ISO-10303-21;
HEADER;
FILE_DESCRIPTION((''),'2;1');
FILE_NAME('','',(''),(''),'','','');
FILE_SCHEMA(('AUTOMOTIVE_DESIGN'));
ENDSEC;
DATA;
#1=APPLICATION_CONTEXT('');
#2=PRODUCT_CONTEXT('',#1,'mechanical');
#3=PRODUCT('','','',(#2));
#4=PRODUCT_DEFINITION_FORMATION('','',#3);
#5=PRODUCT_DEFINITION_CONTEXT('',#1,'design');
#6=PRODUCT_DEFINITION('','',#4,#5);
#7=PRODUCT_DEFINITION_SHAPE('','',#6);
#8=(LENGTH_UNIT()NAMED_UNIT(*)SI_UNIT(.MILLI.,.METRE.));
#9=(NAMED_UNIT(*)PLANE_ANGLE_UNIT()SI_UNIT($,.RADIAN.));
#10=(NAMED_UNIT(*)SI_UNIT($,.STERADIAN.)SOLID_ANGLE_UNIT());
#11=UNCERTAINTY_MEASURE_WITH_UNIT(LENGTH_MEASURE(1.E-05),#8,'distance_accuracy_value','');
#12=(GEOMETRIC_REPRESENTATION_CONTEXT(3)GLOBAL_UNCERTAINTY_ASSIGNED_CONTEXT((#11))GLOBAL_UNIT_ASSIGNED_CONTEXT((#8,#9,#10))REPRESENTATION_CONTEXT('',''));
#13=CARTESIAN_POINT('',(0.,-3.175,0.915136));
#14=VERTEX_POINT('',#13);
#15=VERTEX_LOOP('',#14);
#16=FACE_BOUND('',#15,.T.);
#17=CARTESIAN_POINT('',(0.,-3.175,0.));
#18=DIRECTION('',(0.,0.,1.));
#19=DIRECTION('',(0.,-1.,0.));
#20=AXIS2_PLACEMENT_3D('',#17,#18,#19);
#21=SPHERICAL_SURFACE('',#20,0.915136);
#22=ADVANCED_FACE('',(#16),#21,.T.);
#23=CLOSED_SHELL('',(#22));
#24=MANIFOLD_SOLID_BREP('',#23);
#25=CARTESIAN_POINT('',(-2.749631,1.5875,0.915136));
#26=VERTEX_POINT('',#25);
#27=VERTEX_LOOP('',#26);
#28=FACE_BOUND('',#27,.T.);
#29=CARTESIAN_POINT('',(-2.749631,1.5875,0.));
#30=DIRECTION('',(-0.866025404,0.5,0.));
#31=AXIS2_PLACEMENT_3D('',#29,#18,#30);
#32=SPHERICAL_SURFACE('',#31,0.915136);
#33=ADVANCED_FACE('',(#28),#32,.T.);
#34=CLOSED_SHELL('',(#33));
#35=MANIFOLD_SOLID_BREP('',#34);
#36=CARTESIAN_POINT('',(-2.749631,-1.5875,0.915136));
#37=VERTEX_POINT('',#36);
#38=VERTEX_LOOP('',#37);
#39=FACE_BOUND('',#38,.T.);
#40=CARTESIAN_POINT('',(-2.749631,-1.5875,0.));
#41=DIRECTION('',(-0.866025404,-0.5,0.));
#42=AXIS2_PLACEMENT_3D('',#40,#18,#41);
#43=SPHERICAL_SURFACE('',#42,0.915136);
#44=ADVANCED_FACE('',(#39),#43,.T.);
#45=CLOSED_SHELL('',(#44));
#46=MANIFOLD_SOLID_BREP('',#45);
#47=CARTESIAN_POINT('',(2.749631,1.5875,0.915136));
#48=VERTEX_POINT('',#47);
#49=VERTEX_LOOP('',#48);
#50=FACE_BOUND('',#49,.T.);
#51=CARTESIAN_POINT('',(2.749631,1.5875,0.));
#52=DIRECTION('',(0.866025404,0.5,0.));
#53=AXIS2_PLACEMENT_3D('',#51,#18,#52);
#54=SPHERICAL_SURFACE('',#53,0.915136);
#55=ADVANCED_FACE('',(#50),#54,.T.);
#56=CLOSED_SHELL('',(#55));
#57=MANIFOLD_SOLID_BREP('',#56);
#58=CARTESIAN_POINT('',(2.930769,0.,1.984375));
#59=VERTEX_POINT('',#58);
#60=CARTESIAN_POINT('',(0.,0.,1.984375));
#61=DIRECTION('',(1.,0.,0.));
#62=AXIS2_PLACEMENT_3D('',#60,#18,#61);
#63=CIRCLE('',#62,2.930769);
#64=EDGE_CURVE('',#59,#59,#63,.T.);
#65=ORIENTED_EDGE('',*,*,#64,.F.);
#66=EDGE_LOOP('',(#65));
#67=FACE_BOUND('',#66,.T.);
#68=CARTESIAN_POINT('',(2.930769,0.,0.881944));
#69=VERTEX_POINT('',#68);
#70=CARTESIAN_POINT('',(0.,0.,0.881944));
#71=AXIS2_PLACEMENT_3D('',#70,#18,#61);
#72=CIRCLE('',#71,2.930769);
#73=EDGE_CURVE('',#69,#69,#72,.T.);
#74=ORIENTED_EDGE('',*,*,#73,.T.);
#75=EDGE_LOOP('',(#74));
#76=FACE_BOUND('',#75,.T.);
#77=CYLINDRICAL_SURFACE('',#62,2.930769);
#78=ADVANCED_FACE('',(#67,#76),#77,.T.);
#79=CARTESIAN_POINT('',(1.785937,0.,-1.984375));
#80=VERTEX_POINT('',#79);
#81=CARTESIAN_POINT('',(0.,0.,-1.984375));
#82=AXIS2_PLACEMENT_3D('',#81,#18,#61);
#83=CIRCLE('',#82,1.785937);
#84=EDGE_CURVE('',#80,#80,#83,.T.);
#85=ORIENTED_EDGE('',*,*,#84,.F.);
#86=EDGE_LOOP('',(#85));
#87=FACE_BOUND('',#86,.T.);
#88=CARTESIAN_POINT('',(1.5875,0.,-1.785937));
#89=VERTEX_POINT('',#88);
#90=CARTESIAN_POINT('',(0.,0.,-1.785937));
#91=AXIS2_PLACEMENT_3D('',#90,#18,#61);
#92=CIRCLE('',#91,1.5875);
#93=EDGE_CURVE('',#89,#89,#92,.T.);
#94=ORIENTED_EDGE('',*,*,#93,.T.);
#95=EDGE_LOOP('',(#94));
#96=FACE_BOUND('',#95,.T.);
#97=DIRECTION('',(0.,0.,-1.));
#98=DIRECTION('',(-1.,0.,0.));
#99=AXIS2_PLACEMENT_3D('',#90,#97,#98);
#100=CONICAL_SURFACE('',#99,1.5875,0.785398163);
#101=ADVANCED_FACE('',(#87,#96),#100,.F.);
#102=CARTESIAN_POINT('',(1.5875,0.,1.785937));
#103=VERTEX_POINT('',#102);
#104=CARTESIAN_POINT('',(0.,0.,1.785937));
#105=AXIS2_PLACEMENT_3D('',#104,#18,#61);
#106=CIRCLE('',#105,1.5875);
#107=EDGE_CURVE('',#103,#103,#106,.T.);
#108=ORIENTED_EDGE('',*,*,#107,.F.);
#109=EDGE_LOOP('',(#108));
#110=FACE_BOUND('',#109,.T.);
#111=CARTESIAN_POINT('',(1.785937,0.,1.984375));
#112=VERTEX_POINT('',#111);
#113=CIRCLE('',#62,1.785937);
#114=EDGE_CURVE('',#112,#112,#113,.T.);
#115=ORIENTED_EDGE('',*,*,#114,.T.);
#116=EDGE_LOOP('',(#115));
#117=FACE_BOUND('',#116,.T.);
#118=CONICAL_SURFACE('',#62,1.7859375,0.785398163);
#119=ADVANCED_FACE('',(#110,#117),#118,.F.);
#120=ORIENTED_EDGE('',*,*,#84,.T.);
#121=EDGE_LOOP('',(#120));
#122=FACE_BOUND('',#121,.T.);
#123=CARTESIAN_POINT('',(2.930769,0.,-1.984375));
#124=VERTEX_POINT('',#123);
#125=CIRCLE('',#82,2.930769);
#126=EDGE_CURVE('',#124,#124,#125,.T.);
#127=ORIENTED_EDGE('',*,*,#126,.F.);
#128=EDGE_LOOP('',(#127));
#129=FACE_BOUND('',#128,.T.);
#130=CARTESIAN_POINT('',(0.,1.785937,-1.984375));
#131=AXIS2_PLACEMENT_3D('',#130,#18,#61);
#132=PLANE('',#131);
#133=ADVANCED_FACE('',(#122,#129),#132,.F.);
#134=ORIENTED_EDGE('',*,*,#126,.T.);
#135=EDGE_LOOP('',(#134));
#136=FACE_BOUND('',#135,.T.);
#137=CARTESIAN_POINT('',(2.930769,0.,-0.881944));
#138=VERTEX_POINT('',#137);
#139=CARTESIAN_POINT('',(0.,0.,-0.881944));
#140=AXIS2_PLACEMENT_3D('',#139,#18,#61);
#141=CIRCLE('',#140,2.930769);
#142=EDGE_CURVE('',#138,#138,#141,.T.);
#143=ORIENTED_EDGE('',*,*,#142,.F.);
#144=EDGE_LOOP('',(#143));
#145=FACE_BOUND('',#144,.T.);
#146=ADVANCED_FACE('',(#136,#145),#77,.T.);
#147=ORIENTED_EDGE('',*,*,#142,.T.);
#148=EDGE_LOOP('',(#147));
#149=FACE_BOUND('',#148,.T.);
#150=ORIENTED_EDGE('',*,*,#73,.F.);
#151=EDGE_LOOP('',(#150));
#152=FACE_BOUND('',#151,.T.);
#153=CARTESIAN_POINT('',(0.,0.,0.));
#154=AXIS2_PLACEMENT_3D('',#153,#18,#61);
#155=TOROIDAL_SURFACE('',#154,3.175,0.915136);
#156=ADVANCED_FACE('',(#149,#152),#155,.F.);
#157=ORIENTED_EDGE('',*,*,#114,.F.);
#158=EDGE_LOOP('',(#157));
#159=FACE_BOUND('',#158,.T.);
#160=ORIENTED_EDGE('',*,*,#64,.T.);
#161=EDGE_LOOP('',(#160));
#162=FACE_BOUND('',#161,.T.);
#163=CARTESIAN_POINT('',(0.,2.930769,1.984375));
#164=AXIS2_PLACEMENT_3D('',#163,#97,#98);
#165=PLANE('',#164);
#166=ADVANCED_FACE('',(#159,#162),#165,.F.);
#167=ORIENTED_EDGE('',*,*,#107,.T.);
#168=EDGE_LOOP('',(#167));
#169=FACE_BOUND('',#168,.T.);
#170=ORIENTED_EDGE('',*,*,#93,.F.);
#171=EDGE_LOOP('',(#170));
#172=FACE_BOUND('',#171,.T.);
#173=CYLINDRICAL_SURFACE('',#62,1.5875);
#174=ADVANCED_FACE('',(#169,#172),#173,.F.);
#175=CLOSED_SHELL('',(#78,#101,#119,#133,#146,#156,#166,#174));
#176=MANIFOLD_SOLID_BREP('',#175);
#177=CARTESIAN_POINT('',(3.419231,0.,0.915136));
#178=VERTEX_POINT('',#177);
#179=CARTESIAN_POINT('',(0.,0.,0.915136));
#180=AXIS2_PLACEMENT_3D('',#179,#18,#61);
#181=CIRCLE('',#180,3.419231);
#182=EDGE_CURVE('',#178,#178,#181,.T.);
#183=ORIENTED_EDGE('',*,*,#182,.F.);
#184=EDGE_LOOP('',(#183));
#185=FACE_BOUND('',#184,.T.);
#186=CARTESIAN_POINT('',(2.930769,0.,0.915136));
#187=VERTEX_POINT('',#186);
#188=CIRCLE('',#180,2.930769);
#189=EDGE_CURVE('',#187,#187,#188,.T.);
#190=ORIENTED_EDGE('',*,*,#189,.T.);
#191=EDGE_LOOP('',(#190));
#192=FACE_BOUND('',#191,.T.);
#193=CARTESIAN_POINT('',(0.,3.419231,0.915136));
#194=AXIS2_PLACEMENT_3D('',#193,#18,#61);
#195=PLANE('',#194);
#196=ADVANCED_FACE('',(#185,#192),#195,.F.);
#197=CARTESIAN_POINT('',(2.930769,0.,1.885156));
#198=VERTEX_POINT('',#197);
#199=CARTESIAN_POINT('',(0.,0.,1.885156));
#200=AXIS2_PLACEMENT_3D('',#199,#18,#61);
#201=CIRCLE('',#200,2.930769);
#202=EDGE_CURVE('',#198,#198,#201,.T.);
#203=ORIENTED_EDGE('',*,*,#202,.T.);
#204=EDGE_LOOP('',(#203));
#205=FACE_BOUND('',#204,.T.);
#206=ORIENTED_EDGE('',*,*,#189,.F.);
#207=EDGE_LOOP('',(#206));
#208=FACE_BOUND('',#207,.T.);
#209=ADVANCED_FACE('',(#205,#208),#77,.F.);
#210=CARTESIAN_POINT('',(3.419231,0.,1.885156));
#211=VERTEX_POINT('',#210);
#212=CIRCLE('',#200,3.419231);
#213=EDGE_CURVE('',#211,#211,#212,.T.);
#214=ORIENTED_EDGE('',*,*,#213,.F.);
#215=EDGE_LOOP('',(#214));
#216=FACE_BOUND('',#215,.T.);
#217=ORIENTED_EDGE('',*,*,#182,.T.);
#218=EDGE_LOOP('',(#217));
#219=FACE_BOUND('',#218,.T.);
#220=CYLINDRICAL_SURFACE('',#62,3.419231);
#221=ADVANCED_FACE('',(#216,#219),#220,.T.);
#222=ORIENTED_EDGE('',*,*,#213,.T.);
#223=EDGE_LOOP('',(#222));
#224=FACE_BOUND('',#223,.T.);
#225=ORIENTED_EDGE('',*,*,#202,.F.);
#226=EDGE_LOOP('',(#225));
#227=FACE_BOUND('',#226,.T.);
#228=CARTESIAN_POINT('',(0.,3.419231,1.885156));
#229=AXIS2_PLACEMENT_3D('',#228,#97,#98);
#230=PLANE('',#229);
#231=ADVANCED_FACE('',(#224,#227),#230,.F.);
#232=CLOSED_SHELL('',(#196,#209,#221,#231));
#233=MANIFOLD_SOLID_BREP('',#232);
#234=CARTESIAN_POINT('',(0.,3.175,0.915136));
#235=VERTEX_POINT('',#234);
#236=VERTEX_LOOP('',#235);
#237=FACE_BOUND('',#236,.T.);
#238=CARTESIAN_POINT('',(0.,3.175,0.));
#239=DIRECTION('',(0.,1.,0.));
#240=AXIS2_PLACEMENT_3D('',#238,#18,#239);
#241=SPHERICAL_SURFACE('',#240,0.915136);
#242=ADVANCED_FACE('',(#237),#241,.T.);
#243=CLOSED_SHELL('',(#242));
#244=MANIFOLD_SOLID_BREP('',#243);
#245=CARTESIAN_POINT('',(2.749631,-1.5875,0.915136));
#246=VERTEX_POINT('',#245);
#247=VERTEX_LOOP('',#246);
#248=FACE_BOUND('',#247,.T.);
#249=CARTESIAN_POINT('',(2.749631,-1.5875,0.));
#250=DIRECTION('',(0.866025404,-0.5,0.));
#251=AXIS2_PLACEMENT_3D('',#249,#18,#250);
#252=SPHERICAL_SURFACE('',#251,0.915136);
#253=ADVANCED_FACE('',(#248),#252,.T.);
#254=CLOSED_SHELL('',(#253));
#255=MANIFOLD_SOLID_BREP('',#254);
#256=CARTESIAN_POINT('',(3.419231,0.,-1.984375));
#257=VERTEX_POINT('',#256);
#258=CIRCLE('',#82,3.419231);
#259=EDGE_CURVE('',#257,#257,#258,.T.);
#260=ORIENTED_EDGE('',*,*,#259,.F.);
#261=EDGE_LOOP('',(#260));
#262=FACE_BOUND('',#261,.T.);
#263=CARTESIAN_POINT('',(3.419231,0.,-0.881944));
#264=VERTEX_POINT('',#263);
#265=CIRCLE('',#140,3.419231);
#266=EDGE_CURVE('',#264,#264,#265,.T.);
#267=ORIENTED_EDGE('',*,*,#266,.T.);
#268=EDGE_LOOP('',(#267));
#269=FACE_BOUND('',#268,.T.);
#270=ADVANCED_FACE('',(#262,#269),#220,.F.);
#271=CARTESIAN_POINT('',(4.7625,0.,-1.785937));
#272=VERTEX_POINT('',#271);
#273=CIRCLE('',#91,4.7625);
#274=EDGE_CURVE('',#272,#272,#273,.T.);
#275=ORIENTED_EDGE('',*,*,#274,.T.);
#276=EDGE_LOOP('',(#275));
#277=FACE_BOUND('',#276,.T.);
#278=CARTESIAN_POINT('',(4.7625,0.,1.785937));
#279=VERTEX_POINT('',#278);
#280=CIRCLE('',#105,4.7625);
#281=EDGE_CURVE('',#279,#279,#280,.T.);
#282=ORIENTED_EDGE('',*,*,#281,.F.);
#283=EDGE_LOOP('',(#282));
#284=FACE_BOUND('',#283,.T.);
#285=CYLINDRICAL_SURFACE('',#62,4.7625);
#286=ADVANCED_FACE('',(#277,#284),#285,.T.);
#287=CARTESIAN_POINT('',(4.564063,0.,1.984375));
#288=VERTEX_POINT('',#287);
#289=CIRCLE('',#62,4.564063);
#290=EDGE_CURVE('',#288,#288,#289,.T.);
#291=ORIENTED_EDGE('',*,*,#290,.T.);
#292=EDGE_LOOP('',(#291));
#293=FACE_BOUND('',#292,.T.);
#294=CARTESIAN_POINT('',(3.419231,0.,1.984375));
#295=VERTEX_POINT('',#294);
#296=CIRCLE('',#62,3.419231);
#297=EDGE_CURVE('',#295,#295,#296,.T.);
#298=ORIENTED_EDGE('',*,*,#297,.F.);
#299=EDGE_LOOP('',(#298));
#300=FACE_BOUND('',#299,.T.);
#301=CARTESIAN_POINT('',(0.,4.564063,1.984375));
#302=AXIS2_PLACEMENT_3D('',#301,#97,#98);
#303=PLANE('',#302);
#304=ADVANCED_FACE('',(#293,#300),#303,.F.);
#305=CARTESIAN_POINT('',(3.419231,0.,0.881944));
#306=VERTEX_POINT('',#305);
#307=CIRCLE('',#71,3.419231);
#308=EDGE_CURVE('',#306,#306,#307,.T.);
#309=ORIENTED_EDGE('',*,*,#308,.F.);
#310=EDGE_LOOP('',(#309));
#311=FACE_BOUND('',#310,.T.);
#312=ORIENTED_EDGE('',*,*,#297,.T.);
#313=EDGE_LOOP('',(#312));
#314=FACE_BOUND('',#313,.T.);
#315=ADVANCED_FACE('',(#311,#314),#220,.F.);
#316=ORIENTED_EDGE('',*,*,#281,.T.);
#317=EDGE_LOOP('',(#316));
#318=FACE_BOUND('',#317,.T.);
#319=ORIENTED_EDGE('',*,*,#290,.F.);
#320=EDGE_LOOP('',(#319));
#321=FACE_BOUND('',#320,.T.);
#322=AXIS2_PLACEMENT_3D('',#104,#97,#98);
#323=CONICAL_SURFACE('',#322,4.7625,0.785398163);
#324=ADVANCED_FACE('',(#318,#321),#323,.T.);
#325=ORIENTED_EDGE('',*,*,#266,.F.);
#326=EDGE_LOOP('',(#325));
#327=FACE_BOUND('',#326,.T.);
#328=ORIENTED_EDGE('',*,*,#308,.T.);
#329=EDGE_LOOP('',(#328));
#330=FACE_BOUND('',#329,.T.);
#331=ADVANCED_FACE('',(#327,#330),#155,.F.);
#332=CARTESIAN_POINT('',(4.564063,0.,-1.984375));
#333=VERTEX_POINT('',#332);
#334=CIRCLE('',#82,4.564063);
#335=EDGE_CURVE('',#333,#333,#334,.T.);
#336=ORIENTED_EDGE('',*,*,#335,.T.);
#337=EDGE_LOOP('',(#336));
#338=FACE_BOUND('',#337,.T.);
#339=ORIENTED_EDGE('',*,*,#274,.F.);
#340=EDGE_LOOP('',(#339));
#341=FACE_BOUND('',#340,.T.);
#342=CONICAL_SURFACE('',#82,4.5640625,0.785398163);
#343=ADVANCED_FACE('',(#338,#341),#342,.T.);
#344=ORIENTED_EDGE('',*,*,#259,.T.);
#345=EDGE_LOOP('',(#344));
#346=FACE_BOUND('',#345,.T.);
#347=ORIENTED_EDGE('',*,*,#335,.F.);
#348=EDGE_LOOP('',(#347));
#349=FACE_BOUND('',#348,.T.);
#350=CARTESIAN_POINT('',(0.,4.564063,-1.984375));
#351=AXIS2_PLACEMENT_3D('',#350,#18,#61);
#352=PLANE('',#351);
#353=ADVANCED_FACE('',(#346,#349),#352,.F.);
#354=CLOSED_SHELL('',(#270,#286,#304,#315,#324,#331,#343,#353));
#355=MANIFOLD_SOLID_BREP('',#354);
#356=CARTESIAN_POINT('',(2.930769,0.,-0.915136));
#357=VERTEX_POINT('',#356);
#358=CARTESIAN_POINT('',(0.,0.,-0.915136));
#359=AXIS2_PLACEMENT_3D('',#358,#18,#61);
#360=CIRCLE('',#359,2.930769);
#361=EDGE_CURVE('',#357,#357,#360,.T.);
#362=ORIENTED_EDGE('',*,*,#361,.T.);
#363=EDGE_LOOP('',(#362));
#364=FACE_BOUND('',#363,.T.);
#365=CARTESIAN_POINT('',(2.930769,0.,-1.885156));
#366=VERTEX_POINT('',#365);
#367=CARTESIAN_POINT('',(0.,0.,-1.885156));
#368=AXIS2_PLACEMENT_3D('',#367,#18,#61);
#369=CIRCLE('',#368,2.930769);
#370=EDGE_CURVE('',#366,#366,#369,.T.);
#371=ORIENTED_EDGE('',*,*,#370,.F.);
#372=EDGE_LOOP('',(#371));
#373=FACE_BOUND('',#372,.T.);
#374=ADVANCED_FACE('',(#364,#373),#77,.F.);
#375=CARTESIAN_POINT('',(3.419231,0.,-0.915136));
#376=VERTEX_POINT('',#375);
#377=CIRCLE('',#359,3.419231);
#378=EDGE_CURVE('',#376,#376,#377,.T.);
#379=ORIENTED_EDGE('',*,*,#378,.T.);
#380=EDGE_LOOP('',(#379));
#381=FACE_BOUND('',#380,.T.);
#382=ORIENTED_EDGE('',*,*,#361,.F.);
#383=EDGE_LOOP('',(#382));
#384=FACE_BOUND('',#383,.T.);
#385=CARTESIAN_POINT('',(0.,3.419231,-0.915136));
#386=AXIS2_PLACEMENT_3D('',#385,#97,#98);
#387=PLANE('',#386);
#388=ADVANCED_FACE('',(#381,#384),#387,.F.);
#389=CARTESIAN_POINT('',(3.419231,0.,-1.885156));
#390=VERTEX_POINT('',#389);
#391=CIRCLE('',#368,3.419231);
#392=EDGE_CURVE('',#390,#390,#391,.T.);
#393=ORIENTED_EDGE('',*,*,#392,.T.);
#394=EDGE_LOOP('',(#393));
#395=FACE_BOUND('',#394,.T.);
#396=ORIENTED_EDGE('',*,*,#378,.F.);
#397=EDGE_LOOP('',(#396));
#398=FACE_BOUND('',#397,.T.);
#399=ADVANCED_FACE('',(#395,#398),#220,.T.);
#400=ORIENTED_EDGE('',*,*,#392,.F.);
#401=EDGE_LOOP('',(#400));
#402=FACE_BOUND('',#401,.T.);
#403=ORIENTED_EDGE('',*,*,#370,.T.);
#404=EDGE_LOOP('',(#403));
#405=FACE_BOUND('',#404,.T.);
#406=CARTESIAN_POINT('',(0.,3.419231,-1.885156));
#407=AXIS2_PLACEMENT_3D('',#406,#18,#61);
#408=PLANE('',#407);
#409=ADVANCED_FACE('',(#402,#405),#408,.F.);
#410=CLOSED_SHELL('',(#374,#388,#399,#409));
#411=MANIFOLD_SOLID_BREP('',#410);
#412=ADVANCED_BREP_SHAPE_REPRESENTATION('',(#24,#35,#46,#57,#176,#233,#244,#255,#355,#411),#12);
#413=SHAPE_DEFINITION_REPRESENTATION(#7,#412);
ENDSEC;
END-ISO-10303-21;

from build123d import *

# Parameters (mm, degrees)
CIRPATTERN1_COUNT = 6
SKETCH5_W         = 0.970019828
SKETCH5_H         = 0.488461538


with BuildPart() as part:
    # Sketch1 → Revolve1 (revolve)
    with BuildSketch(Plane(origin=(0, 0, 0), x_dir=(0, 0, -1), z_dir=(1, 0, 0))):
        with BuildLine():
            Line((1.7859375, 4.7625), (-1.7859375, 4.7625))
            Line((-1.7859375, 4.7625), (-1.984375, 4.5640625))
            Line((-1.984375, 4.5640625), (-1.984375, 3.419230769))
            Line((-1.984375, 3.419230769), (-0.881944444, 3.419230769))
            ThreePointArc((-0.881944444, 3.419230769), (0, 4.090136422), (0.881944444, 3.419230769))
            Line((0.881944444, 3.419230769), (1.984375, 3.419230769))
            Line((1.984375, 3.419230769), (1.984375, 4.5640625))
            Line((1.984375, 4.5640625), (1.7859375, 4.7625))
        make_face()
    revolve(axis=Axis((0, 0, 1.984375), (0, 0, -1)))


with BuildPart() as body_2:
    # Sketch3 → Revolve3 (revolve)
    with BuildSketch(Plane(origin=(0, 0, 0), x_dir=(0, 0, -1), z_dir=(1, 0, 0))):
        with BuildLine():
            Line((-1.984375, 2.930769231), (-0.881944444, 2.930769231))
            ThreePointArc((-0.881944444, 2.930769231), (0, 2.259863578), (0.881944444, 2.930769231))
            Line((0.881944444, 2.930769231), (1.984375, 2.930769231))
            Line((1.984375, 2.930769231), (1.984375, 1.7859375))
            Line((1.984375, 1.7859375), (1.7859375, 1.5875))
            Line((1.7859375, 1.5875), (-1.7859375, 1.5875))
            Line((-1.7859375, 1.5875), (-1.984375, 1.7859375))
            Line((-1.984375, 1.7859375), (-1.984375, 2.930769231))
        make_face()
    revolve(axis=Axis((0, 0, 1.984375), (0, 0, -1)))


with BuildPart() as body_3:
    # Sketch4 → Revolve4 (revolve)
    with BuildSketch(Plane(origin=(0, 0, 0), x_dir=(0, 0, -1), z_dir=(1, 0, 0))):
        with BuildLine():
            Line((-0.915136422, 3.175), (0.915136422, 3.175))
            ThreePointArc((0.915136422, 3.175), (0, 4.090136422), (-0.915136422, 3.175))
        make_face()
    revolve(axis=Axis((0, 3.175, 0.915136422), (0, 0, -1)))


with BuildPart() as cirpattern1_1:
    # CirPattern1: pattern copy
    add(body_3.part.rotate(Axis((0, 0, -1.984375), (0, 0, 1)), 1 * 360 / CIRPATTERN1_COUNT))


with BuildPart() as cirpattern1_2:
    # CirPattern1: pattern copy
    add(body_3.part.rotate(Axis((0, 0, -1.984375), (0, 0, 1)), 2 * 360 / CIRPATTERN1_COUNT))


with BuildPart() as cirpattern1_3:
    # CirPattern1: pattern copy
    add(body_3.part.rotate(Axis((0, 0, -1.984375), (0, 0, 1)), 3 * 360 / CIRPATTERN1_COUNT))


with BuildPart() as cirpattern1_4:
    # CirPattern1: pattern copy
    add(body_3.part.rotate(Axis((0, 0, -1.984375), (0, 0, 1)), 4 * 360 / CIRPATTERN1_COUNT))


with BuildPart() as cirpattern1_5:
    # CirPattern1: pattern copy
    add(body_3.part.rotate(Axis((0, 0, -1.984375), (0, 0, 1)), 5 * 360 / CIRPATTERN1_COUNT))


with BuildPart() as body_9:
    # Sketch5 → Revolve5 (revolve)
    with BuildSketch(Plane(origin=(0, 0, 0), x_dir=(0, 0, -1), z_dir=(1, 0, 0))):
        with Locations((-1.400146336, 3.175)):
            Rectangle(SKETCH5_W, SKETCH5_H)
        with Locations((1.400146336, 3.175)):
            Rectangle(SKETCH5_W, SKETCH5_H)
    revolve(axis=Axis((0, 0, 1.984375), (0, 0, -1)))


solid = Compound([part.part, body_2.part, body_3.part, cirpattern1_1.part, cirpattern1_2.part, cirpattern1_3.part, cirpattern1_4.part, cirpattern1_5.part, body_9.part])
